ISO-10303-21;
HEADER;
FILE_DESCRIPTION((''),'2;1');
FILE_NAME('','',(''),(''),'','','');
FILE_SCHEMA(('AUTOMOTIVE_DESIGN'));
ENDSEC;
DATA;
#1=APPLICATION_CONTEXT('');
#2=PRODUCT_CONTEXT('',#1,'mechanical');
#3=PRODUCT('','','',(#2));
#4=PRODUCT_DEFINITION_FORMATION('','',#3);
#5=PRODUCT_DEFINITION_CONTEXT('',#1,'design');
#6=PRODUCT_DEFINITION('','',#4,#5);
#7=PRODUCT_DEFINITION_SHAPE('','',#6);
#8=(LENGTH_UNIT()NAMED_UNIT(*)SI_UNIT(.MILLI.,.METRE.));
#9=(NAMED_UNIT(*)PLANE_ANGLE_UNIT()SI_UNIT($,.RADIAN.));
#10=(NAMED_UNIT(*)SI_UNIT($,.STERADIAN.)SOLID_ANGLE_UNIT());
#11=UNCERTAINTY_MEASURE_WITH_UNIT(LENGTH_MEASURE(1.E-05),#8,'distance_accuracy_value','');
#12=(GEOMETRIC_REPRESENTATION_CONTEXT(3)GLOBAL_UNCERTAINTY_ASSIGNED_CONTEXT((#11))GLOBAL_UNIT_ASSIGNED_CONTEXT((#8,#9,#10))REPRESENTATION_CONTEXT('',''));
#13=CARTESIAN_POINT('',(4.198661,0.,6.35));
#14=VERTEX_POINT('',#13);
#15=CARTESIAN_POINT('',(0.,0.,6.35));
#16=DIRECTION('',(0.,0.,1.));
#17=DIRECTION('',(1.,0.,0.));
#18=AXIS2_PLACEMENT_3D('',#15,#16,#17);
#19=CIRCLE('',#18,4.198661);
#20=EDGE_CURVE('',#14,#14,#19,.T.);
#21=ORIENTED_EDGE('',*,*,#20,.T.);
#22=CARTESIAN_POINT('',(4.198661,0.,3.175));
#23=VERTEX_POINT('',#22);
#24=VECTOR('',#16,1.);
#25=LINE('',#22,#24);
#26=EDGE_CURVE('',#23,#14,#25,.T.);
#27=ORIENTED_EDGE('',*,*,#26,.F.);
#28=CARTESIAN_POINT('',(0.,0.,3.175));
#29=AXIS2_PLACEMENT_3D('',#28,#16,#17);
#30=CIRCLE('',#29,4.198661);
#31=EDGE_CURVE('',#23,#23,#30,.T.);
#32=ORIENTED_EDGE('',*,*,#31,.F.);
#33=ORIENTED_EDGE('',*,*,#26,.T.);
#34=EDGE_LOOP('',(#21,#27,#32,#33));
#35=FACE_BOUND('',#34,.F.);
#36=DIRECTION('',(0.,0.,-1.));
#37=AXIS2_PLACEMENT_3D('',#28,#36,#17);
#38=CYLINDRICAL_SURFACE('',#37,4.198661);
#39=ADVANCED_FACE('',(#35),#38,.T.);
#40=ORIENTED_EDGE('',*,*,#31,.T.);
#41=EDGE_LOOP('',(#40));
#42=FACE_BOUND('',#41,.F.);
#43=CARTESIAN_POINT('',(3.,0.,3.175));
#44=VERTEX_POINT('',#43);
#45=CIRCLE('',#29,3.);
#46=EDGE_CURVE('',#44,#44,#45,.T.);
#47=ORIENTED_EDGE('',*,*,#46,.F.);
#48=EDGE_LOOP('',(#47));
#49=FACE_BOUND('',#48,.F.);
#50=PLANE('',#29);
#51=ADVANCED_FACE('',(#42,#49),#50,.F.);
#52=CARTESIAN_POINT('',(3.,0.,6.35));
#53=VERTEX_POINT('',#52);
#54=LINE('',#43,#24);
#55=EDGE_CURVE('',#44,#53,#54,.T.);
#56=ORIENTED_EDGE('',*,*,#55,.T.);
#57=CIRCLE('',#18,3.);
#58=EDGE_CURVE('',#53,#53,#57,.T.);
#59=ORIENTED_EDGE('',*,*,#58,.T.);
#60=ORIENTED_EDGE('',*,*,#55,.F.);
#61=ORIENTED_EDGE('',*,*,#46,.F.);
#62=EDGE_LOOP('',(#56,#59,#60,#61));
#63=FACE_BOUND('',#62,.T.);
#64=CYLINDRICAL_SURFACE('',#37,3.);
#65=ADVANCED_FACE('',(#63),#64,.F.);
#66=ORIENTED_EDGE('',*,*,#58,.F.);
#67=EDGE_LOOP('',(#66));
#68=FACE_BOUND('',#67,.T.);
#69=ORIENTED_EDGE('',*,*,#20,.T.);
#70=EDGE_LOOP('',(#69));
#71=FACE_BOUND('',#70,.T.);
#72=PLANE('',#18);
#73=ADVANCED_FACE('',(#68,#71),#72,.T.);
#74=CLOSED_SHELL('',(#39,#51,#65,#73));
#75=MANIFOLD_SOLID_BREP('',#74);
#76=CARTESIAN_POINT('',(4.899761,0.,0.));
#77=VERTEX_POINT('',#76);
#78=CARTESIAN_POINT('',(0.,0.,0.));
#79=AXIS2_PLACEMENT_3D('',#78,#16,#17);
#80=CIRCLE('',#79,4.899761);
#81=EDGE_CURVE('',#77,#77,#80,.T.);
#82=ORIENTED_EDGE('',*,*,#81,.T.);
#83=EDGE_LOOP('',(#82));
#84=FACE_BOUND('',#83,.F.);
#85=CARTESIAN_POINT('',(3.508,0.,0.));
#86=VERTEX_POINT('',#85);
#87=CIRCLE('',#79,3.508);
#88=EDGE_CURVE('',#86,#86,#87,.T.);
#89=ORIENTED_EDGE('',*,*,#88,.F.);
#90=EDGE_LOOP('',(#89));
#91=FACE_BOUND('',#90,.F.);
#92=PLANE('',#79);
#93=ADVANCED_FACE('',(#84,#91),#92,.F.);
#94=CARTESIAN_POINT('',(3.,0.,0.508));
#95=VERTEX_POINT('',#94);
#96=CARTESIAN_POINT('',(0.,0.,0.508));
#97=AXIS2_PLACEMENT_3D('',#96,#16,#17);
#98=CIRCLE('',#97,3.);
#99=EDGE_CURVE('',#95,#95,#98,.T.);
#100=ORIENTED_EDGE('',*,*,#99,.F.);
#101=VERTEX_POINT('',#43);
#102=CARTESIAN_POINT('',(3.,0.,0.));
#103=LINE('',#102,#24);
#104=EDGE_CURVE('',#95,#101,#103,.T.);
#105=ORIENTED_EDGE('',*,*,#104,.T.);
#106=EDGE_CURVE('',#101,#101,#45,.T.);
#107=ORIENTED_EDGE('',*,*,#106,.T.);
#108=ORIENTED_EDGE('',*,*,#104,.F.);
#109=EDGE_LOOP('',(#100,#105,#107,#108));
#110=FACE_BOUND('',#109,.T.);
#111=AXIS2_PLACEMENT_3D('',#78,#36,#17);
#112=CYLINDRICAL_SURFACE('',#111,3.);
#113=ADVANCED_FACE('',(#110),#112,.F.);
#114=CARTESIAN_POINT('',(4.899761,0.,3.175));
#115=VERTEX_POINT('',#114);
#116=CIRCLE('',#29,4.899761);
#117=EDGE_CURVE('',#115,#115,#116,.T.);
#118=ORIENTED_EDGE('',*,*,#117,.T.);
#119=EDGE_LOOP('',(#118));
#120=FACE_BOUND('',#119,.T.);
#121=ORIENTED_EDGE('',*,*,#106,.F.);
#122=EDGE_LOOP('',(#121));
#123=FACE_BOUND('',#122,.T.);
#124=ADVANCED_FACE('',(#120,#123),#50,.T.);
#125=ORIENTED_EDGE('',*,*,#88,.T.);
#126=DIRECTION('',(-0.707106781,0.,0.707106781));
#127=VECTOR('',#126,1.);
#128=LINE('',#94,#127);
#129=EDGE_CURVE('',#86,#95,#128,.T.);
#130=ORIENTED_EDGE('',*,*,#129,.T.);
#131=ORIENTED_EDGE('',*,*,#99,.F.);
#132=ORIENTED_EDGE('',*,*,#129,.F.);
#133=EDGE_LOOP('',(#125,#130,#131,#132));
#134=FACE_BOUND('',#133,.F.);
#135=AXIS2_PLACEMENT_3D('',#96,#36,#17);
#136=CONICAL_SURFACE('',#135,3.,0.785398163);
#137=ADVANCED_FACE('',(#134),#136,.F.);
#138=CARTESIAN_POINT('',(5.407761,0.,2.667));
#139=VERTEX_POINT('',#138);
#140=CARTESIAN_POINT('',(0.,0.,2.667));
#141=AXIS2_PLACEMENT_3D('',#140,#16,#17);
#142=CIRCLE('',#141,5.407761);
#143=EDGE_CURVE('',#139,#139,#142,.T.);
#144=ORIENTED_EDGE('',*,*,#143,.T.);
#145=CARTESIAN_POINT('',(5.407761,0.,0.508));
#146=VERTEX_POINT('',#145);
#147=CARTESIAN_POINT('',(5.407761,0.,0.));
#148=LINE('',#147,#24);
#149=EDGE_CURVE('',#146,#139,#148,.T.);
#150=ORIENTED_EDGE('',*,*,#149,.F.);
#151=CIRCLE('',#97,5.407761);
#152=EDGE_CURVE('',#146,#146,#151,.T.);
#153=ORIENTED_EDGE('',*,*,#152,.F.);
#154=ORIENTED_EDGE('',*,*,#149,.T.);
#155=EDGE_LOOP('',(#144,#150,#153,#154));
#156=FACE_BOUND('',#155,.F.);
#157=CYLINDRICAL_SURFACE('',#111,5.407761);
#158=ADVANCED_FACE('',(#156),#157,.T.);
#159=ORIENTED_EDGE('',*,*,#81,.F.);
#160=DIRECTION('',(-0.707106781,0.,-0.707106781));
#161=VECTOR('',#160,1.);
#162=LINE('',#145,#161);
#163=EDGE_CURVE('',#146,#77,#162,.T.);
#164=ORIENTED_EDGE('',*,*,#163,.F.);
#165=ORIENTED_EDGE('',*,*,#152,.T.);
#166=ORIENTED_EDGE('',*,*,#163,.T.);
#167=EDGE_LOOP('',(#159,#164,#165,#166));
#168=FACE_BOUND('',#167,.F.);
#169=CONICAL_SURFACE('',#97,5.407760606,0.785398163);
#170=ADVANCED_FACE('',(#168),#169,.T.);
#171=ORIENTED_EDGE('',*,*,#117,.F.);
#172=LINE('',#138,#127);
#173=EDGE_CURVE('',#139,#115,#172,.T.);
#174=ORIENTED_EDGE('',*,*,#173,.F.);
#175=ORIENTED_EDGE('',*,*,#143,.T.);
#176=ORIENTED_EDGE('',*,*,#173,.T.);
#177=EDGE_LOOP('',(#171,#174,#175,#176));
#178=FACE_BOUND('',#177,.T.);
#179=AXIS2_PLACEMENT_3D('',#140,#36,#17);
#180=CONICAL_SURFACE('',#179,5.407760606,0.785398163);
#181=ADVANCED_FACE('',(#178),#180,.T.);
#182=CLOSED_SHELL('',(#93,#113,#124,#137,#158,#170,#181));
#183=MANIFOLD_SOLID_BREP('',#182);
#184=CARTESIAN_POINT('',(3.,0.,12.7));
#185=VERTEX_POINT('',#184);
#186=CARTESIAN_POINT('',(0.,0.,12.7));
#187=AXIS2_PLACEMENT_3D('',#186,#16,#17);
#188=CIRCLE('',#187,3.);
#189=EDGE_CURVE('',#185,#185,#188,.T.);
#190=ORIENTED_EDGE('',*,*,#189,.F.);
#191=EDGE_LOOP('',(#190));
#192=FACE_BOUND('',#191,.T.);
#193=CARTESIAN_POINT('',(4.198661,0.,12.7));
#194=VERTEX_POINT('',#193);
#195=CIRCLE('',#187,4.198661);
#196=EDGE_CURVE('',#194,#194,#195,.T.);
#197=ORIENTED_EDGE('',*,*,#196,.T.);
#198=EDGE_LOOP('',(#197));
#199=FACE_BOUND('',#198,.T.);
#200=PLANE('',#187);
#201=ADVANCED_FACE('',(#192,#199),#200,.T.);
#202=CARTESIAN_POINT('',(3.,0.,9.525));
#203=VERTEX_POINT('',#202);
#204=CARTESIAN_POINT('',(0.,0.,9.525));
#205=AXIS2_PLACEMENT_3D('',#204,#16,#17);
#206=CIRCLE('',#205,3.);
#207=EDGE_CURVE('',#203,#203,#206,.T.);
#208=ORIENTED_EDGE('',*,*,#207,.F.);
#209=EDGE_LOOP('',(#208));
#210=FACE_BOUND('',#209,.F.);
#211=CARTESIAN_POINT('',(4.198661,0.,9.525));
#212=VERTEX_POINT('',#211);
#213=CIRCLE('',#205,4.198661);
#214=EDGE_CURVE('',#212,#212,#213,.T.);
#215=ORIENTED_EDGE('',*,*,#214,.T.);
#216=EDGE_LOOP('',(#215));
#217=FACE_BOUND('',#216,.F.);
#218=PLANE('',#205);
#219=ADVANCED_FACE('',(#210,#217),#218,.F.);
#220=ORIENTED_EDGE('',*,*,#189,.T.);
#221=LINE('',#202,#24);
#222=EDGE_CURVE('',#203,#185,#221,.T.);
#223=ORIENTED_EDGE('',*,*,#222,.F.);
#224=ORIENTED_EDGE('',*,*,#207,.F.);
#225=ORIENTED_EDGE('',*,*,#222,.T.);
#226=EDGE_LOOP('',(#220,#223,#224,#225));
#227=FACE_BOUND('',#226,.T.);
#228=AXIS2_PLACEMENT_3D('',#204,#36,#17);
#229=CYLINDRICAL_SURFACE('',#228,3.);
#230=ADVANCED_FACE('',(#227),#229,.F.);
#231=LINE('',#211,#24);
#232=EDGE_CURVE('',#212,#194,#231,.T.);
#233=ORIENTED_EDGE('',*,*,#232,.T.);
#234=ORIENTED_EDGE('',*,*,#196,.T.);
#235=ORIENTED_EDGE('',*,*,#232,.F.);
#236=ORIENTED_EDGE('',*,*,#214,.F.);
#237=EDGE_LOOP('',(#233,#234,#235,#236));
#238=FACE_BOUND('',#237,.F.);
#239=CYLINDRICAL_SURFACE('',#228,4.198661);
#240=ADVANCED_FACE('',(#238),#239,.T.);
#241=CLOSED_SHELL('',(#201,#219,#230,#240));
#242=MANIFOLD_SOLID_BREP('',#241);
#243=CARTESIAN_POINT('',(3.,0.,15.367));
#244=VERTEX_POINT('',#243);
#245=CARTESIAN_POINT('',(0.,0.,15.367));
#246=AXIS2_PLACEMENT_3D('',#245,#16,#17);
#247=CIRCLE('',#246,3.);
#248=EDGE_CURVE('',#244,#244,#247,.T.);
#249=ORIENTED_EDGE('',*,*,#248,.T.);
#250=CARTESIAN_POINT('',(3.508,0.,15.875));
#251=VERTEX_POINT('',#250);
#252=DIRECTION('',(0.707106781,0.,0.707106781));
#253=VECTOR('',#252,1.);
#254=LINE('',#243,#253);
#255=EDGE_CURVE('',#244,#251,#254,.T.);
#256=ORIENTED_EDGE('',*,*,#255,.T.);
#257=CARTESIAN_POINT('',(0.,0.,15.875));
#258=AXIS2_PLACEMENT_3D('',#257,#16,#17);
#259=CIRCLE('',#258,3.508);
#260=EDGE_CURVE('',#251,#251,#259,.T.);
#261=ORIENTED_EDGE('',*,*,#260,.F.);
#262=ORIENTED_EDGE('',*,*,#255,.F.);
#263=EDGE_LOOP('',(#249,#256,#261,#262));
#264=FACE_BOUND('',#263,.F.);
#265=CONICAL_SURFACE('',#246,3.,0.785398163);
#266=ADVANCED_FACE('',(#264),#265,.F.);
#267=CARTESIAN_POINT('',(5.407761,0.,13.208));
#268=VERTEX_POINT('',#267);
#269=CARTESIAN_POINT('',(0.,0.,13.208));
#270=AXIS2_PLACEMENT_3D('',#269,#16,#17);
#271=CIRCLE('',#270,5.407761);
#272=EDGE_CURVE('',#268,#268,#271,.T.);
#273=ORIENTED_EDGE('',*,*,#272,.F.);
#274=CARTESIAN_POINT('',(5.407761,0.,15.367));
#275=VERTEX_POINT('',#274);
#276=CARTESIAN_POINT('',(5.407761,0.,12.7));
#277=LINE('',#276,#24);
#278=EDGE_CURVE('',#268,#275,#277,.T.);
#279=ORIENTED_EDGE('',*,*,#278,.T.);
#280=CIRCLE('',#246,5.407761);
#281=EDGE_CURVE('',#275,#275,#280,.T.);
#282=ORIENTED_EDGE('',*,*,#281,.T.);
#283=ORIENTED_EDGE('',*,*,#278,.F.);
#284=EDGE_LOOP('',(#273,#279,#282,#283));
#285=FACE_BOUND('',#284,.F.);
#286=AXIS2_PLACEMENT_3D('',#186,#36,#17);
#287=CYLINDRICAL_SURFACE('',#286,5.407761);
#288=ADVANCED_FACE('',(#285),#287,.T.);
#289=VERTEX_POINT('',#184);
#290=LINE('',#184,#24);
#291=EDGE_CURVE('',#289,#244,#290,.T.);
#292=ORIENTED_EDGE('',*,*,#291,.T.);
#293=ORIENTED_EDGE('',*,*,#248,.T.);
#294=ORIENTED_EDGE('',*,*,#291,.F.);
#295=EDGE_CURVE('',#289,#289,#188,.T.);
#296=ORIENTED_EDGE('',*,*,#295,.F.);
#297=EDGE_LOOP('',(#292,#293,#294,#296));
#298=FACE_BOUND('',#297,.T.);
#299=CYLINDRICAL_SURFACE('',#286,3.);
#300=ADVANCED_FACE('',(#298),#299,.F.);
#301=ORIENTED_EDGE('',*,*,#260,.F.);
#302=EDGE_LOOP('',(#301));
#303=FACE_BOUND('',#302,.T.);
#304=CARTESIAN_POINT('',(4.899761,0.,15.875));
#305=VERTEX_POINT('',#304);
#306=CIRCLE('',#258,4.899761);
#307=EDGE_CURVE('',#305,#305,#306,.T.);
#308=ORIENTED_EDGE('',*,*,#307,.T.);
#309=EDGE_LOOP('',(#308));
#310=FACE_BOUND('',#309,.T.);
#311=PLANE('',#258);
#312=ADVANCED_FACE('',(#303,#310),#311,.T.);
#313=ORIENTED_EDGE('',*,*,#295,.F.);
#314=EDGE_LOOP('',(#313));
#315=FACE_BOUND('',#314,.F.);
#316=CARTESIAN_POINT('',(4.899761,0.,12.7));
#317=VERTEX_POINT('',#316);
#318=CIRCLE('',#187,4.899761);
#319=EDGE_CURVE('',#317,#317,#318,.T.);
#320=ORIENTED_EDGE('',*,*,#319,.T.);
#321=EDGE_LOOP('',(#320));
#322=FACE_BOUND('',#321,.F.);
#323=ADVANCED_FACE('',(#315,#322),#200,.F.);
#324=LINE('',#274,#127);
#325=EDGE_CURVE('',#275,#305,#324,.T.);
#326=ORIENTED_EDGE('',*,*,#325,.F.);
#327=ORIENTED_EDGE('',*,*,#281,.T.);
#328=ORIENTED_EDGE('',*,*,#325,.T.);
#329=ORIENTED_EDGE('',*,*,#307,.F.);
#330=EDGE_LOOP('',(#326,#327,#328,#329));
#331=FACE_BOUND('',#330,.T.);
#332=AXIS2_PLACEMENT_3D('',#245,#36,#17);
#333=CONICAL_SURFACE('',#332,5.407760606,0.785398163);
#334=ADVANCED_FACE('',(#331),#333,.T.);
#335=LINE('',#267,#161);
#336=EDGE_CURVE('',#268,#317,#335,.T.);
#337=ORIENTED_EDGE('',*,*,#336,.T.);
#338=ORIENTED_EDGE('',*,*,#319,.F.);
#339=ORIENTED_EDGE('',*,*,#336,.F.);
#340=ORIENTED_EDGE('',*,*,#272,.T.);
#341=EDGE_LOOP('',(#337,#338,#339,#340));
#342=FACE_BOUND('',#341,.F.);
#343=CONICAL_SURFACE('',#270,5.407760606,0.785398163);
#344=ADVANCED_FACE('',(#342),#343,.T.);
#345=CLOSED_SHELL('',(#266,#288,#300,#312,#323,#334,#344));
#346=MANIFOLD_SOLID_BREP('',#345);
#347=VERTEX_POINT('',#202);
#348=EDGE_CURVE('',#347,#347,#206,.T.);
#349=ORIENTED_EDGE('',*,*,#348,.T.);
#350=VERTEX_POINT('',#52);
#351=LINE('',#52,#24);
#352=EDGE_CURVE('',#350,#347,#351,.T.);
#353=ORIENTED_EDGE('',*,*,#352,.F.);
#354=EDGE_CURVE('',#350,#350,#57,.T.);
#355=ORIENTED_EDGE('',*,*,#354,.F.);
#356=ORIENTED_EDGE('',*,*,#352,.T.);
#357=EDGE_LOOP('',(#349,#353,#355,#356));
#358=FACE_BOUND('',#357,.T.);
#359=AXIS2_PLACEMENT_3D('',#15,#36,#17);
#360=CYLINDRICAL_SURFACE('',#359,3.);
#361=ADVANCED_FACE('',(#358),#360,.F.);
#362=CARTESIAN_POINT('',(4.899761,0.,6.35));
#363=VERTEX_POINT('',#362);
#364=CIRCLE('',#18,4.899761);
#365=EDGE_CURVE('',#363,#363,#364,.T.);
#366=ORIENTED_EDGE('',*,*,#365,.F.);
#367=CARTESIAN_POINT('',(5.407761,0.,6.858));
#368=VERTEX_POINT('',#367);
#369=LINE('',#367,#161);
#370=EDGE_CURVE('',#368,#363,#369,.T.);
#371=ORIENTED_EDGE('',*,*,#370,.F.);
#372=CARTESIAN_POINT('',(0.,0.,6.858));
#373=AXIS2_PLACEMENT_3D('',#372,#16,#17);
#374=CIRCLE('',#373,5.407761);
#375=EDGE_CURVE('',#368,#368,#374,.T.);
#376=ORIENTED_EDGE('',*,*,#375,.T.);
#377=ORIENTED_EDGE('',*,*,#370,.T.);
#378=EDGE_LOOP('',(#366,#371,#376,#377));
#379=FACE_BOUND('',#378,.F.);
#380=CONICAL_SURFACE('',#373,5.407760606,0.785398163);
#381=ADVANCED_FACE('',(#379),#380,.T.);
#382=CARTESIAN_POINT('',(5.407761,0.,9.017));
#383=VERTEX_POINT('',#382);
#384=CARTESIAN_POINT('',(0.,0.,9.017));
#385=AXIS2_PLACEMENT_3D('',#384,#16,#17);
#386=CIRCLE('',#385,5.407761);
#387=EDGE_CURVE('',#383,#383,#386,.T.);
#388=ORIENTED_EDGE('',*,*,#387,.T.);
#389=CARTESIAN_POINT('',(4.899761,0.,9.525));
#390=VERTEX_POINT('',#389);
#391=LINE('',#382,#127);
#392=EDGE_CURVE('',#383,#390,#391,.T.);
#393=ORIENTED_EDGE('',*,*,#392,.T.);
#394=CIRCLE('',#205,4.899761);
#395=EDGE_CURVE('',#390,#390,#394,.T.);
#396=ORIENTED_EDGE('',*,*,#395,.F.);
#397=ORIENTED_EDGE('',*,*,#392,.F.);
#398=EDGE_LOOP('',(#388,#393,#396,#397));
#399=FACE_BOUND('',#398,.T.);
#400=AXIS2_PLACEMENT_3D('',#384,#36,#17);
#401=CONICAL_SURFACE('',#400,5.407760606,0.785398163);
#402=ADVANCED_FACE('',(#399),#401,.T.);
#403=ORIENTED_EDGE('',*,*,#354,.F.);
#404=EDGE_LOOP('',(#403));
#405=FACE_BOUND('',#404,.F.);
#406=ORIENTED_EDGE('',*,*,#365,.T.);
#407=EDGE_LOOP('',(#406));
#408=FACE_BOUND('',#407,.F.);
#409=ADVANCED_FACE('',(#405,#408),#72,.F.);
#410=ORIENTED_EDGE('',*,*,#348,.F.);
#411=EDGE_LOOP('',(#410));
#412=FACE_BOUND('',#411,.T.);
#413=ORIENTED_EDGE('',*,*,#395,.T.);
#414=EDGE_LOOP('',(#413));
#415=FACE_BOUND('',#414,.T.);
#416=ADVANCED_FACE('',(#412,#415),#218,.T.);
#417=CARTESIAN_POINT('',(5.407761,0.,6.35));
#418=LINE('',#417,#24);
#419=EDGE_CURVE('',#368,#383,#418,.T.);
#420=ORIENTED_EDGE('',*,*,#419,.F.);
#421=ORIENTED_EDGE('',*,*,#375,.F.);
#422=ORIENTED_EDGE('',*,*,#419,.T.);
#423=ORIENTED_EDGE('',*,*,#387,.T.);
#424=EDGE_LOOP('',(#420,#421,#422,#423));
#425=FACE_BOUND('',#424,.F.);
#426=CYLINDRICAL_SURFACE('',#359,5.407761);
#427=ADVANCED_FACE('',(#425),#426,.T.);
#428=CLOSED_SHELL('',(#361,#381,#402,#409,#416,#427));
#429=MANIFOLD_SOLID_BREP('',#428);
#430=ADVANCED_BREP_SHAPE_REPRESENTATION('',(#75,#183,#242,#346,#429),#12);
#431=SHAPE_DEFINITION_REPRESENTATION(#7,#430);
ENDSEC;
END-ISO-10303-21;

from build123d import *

# Parameters (mm, degrees)
F0_R       = 5.4077606055
F0_R_2     = 4.1986607111
F0_R_3     = 3
F1_DEPTH   = 3.175
F3_DEPTH   = 3.175
F5_DEPTH   = 3.175
F7_DEPTH   = 3.175
F9_DEPTH   = 3.175
F14_SIZE   = 0.508
F14_2_SIZE = 0.508
F14_3_SIZE = 0.508
F15_SIZE   = 0.508
F15_2_SIZE = 0.508


with BuildPart() as f1:
    # F0 (on Top) → F1 (new body)
    with BuildSketch(Plane.XY):
        Circle(F0_R)
        Circle(F0_R_2, mode=Mode.SUBTRACT)
        Circle(F0_R_2)
        Circle(F0_R_3, mode=Mode.SUBTRACT)
    extrude(amount=F1_DEPTH)


with BuildPart() as f1_1:
    # F2: moved
    add(f1.part.moved(Location((0, 0, 15.875))))


with BuildPart() as f3:
    # F0 (on Top) → F3 (new body)
    with BuildSketch(Plane.XY):
        Circle(F0_R_2)
        Circle(F0_R_3, mode=Mode.SUBTRACT)
    extrude(amount=F3_DEPTH)


with BuildPart() as f3_1:
    # F4: moved
    add(f3.part.moved(Location((0, 0, 12.7))))


with BuildPart() as f5:
    # F0 (on Top) → F5 (new body)
    with BuildSketch(Plane.XY):
        Circle(F0_R)
        Circle(F0_R_2, mode=Mode.SUBTRACT)
        Circle(F0_R_2)
        Circle(F0_R_3, mode=Mode.SUBTRACT)
    extrude(amount=F5_DEPTH)


with BuildPart() as f5_1:
    # F6: moved
    add(f5.part.moved(Location((0, 0, 9.525))))


with BuildPart() as f7:
    # F0 (on Top) → F7 (new body)
    with BuildSketch(Plane.XY):
        Circle(F0_R_2)
        Circle(F0_R_3, mode=Mode.SUBTRACT)
    extrude(amount=F7_DEPTH)


with BuildPart() as f7_1:
    # F8: moved
    add(f7.part.moved(Location((0, 0, 6.35))))


with BuildPart() as f9:
    # F0 (on Top) → F9 (new body)
    with BuildSketch(Plane.XY):
        Circle(F0_R)
        Circle(F0_R_2, mode=Mode.SUBTRACT)
        Circle(F0_R_2)
        Circle(F0_R_3, mode=Mode.SUBTRACT)
    extrude(amount=F9_DEPTH)

    # F14#3
    f14_3_edges = [f9.edges().sort_by_distance(p)[0] for p in [
        (-5.407761, 0, 3.175),
        (-5.407761, 0, 0),
    ]]
    chamfer(f14_3_edges, length=F14_3_SIZE)

    # F15
    f15_edges = [f9.edges().sort_by_distance(p)[0] for p in [
        (-3, 0, 0),
    ]]
    chamfer(f15_edges, length=F15_SIZE)


with BuildPart() as f7_2:
    # F10: moved
    add(f7_1.part.moved(Location((0, 0, -3.175))))


with BuildPart() as f5_2:
    # F11: moved
    add(f5_1.part.moved(Location((0, 0, -3.175))))

    # F14#2
    f14_2_edges = [f5_2.edges().sort_by_distance(p)[0] for p in [
        (-5.407761, 0, 9.525),
        (-5.407761, 0, 6.35),
    ]]
    chamfer(f14_2_edges, length=F14_2_SIZE)


with BuildPart() as f3_2:
    # F12: moved
    add(f3_1.part.moved(Location((0, 0, -3.175))))


with BuildPart() as f1_2:
    # F13: moved
    add(f1_1.part.moved(Location((0, 0, -3.175))))

    # F14
    f14_edges = [f1_2.edges().sort_by_distance(p)[0] for p in [
        (-3, 0, 15.875),
        (-5.407761, 0, 15.875),
    ]]
    chamfer(f14_edges, length=F14_SIZE)

    # F15#2
    f15_2_edges = [f1_2.edges().sort_by_distance(p)[0] for p in [
        (-5.407761, 0, 12.7),
    ]]
    chamfer(f15_2_edges, length=F15_2_SIZE)


solid = Compound([f9.part, f7_2.part, f5_2.part, f3_2.part, f1_2.part])
